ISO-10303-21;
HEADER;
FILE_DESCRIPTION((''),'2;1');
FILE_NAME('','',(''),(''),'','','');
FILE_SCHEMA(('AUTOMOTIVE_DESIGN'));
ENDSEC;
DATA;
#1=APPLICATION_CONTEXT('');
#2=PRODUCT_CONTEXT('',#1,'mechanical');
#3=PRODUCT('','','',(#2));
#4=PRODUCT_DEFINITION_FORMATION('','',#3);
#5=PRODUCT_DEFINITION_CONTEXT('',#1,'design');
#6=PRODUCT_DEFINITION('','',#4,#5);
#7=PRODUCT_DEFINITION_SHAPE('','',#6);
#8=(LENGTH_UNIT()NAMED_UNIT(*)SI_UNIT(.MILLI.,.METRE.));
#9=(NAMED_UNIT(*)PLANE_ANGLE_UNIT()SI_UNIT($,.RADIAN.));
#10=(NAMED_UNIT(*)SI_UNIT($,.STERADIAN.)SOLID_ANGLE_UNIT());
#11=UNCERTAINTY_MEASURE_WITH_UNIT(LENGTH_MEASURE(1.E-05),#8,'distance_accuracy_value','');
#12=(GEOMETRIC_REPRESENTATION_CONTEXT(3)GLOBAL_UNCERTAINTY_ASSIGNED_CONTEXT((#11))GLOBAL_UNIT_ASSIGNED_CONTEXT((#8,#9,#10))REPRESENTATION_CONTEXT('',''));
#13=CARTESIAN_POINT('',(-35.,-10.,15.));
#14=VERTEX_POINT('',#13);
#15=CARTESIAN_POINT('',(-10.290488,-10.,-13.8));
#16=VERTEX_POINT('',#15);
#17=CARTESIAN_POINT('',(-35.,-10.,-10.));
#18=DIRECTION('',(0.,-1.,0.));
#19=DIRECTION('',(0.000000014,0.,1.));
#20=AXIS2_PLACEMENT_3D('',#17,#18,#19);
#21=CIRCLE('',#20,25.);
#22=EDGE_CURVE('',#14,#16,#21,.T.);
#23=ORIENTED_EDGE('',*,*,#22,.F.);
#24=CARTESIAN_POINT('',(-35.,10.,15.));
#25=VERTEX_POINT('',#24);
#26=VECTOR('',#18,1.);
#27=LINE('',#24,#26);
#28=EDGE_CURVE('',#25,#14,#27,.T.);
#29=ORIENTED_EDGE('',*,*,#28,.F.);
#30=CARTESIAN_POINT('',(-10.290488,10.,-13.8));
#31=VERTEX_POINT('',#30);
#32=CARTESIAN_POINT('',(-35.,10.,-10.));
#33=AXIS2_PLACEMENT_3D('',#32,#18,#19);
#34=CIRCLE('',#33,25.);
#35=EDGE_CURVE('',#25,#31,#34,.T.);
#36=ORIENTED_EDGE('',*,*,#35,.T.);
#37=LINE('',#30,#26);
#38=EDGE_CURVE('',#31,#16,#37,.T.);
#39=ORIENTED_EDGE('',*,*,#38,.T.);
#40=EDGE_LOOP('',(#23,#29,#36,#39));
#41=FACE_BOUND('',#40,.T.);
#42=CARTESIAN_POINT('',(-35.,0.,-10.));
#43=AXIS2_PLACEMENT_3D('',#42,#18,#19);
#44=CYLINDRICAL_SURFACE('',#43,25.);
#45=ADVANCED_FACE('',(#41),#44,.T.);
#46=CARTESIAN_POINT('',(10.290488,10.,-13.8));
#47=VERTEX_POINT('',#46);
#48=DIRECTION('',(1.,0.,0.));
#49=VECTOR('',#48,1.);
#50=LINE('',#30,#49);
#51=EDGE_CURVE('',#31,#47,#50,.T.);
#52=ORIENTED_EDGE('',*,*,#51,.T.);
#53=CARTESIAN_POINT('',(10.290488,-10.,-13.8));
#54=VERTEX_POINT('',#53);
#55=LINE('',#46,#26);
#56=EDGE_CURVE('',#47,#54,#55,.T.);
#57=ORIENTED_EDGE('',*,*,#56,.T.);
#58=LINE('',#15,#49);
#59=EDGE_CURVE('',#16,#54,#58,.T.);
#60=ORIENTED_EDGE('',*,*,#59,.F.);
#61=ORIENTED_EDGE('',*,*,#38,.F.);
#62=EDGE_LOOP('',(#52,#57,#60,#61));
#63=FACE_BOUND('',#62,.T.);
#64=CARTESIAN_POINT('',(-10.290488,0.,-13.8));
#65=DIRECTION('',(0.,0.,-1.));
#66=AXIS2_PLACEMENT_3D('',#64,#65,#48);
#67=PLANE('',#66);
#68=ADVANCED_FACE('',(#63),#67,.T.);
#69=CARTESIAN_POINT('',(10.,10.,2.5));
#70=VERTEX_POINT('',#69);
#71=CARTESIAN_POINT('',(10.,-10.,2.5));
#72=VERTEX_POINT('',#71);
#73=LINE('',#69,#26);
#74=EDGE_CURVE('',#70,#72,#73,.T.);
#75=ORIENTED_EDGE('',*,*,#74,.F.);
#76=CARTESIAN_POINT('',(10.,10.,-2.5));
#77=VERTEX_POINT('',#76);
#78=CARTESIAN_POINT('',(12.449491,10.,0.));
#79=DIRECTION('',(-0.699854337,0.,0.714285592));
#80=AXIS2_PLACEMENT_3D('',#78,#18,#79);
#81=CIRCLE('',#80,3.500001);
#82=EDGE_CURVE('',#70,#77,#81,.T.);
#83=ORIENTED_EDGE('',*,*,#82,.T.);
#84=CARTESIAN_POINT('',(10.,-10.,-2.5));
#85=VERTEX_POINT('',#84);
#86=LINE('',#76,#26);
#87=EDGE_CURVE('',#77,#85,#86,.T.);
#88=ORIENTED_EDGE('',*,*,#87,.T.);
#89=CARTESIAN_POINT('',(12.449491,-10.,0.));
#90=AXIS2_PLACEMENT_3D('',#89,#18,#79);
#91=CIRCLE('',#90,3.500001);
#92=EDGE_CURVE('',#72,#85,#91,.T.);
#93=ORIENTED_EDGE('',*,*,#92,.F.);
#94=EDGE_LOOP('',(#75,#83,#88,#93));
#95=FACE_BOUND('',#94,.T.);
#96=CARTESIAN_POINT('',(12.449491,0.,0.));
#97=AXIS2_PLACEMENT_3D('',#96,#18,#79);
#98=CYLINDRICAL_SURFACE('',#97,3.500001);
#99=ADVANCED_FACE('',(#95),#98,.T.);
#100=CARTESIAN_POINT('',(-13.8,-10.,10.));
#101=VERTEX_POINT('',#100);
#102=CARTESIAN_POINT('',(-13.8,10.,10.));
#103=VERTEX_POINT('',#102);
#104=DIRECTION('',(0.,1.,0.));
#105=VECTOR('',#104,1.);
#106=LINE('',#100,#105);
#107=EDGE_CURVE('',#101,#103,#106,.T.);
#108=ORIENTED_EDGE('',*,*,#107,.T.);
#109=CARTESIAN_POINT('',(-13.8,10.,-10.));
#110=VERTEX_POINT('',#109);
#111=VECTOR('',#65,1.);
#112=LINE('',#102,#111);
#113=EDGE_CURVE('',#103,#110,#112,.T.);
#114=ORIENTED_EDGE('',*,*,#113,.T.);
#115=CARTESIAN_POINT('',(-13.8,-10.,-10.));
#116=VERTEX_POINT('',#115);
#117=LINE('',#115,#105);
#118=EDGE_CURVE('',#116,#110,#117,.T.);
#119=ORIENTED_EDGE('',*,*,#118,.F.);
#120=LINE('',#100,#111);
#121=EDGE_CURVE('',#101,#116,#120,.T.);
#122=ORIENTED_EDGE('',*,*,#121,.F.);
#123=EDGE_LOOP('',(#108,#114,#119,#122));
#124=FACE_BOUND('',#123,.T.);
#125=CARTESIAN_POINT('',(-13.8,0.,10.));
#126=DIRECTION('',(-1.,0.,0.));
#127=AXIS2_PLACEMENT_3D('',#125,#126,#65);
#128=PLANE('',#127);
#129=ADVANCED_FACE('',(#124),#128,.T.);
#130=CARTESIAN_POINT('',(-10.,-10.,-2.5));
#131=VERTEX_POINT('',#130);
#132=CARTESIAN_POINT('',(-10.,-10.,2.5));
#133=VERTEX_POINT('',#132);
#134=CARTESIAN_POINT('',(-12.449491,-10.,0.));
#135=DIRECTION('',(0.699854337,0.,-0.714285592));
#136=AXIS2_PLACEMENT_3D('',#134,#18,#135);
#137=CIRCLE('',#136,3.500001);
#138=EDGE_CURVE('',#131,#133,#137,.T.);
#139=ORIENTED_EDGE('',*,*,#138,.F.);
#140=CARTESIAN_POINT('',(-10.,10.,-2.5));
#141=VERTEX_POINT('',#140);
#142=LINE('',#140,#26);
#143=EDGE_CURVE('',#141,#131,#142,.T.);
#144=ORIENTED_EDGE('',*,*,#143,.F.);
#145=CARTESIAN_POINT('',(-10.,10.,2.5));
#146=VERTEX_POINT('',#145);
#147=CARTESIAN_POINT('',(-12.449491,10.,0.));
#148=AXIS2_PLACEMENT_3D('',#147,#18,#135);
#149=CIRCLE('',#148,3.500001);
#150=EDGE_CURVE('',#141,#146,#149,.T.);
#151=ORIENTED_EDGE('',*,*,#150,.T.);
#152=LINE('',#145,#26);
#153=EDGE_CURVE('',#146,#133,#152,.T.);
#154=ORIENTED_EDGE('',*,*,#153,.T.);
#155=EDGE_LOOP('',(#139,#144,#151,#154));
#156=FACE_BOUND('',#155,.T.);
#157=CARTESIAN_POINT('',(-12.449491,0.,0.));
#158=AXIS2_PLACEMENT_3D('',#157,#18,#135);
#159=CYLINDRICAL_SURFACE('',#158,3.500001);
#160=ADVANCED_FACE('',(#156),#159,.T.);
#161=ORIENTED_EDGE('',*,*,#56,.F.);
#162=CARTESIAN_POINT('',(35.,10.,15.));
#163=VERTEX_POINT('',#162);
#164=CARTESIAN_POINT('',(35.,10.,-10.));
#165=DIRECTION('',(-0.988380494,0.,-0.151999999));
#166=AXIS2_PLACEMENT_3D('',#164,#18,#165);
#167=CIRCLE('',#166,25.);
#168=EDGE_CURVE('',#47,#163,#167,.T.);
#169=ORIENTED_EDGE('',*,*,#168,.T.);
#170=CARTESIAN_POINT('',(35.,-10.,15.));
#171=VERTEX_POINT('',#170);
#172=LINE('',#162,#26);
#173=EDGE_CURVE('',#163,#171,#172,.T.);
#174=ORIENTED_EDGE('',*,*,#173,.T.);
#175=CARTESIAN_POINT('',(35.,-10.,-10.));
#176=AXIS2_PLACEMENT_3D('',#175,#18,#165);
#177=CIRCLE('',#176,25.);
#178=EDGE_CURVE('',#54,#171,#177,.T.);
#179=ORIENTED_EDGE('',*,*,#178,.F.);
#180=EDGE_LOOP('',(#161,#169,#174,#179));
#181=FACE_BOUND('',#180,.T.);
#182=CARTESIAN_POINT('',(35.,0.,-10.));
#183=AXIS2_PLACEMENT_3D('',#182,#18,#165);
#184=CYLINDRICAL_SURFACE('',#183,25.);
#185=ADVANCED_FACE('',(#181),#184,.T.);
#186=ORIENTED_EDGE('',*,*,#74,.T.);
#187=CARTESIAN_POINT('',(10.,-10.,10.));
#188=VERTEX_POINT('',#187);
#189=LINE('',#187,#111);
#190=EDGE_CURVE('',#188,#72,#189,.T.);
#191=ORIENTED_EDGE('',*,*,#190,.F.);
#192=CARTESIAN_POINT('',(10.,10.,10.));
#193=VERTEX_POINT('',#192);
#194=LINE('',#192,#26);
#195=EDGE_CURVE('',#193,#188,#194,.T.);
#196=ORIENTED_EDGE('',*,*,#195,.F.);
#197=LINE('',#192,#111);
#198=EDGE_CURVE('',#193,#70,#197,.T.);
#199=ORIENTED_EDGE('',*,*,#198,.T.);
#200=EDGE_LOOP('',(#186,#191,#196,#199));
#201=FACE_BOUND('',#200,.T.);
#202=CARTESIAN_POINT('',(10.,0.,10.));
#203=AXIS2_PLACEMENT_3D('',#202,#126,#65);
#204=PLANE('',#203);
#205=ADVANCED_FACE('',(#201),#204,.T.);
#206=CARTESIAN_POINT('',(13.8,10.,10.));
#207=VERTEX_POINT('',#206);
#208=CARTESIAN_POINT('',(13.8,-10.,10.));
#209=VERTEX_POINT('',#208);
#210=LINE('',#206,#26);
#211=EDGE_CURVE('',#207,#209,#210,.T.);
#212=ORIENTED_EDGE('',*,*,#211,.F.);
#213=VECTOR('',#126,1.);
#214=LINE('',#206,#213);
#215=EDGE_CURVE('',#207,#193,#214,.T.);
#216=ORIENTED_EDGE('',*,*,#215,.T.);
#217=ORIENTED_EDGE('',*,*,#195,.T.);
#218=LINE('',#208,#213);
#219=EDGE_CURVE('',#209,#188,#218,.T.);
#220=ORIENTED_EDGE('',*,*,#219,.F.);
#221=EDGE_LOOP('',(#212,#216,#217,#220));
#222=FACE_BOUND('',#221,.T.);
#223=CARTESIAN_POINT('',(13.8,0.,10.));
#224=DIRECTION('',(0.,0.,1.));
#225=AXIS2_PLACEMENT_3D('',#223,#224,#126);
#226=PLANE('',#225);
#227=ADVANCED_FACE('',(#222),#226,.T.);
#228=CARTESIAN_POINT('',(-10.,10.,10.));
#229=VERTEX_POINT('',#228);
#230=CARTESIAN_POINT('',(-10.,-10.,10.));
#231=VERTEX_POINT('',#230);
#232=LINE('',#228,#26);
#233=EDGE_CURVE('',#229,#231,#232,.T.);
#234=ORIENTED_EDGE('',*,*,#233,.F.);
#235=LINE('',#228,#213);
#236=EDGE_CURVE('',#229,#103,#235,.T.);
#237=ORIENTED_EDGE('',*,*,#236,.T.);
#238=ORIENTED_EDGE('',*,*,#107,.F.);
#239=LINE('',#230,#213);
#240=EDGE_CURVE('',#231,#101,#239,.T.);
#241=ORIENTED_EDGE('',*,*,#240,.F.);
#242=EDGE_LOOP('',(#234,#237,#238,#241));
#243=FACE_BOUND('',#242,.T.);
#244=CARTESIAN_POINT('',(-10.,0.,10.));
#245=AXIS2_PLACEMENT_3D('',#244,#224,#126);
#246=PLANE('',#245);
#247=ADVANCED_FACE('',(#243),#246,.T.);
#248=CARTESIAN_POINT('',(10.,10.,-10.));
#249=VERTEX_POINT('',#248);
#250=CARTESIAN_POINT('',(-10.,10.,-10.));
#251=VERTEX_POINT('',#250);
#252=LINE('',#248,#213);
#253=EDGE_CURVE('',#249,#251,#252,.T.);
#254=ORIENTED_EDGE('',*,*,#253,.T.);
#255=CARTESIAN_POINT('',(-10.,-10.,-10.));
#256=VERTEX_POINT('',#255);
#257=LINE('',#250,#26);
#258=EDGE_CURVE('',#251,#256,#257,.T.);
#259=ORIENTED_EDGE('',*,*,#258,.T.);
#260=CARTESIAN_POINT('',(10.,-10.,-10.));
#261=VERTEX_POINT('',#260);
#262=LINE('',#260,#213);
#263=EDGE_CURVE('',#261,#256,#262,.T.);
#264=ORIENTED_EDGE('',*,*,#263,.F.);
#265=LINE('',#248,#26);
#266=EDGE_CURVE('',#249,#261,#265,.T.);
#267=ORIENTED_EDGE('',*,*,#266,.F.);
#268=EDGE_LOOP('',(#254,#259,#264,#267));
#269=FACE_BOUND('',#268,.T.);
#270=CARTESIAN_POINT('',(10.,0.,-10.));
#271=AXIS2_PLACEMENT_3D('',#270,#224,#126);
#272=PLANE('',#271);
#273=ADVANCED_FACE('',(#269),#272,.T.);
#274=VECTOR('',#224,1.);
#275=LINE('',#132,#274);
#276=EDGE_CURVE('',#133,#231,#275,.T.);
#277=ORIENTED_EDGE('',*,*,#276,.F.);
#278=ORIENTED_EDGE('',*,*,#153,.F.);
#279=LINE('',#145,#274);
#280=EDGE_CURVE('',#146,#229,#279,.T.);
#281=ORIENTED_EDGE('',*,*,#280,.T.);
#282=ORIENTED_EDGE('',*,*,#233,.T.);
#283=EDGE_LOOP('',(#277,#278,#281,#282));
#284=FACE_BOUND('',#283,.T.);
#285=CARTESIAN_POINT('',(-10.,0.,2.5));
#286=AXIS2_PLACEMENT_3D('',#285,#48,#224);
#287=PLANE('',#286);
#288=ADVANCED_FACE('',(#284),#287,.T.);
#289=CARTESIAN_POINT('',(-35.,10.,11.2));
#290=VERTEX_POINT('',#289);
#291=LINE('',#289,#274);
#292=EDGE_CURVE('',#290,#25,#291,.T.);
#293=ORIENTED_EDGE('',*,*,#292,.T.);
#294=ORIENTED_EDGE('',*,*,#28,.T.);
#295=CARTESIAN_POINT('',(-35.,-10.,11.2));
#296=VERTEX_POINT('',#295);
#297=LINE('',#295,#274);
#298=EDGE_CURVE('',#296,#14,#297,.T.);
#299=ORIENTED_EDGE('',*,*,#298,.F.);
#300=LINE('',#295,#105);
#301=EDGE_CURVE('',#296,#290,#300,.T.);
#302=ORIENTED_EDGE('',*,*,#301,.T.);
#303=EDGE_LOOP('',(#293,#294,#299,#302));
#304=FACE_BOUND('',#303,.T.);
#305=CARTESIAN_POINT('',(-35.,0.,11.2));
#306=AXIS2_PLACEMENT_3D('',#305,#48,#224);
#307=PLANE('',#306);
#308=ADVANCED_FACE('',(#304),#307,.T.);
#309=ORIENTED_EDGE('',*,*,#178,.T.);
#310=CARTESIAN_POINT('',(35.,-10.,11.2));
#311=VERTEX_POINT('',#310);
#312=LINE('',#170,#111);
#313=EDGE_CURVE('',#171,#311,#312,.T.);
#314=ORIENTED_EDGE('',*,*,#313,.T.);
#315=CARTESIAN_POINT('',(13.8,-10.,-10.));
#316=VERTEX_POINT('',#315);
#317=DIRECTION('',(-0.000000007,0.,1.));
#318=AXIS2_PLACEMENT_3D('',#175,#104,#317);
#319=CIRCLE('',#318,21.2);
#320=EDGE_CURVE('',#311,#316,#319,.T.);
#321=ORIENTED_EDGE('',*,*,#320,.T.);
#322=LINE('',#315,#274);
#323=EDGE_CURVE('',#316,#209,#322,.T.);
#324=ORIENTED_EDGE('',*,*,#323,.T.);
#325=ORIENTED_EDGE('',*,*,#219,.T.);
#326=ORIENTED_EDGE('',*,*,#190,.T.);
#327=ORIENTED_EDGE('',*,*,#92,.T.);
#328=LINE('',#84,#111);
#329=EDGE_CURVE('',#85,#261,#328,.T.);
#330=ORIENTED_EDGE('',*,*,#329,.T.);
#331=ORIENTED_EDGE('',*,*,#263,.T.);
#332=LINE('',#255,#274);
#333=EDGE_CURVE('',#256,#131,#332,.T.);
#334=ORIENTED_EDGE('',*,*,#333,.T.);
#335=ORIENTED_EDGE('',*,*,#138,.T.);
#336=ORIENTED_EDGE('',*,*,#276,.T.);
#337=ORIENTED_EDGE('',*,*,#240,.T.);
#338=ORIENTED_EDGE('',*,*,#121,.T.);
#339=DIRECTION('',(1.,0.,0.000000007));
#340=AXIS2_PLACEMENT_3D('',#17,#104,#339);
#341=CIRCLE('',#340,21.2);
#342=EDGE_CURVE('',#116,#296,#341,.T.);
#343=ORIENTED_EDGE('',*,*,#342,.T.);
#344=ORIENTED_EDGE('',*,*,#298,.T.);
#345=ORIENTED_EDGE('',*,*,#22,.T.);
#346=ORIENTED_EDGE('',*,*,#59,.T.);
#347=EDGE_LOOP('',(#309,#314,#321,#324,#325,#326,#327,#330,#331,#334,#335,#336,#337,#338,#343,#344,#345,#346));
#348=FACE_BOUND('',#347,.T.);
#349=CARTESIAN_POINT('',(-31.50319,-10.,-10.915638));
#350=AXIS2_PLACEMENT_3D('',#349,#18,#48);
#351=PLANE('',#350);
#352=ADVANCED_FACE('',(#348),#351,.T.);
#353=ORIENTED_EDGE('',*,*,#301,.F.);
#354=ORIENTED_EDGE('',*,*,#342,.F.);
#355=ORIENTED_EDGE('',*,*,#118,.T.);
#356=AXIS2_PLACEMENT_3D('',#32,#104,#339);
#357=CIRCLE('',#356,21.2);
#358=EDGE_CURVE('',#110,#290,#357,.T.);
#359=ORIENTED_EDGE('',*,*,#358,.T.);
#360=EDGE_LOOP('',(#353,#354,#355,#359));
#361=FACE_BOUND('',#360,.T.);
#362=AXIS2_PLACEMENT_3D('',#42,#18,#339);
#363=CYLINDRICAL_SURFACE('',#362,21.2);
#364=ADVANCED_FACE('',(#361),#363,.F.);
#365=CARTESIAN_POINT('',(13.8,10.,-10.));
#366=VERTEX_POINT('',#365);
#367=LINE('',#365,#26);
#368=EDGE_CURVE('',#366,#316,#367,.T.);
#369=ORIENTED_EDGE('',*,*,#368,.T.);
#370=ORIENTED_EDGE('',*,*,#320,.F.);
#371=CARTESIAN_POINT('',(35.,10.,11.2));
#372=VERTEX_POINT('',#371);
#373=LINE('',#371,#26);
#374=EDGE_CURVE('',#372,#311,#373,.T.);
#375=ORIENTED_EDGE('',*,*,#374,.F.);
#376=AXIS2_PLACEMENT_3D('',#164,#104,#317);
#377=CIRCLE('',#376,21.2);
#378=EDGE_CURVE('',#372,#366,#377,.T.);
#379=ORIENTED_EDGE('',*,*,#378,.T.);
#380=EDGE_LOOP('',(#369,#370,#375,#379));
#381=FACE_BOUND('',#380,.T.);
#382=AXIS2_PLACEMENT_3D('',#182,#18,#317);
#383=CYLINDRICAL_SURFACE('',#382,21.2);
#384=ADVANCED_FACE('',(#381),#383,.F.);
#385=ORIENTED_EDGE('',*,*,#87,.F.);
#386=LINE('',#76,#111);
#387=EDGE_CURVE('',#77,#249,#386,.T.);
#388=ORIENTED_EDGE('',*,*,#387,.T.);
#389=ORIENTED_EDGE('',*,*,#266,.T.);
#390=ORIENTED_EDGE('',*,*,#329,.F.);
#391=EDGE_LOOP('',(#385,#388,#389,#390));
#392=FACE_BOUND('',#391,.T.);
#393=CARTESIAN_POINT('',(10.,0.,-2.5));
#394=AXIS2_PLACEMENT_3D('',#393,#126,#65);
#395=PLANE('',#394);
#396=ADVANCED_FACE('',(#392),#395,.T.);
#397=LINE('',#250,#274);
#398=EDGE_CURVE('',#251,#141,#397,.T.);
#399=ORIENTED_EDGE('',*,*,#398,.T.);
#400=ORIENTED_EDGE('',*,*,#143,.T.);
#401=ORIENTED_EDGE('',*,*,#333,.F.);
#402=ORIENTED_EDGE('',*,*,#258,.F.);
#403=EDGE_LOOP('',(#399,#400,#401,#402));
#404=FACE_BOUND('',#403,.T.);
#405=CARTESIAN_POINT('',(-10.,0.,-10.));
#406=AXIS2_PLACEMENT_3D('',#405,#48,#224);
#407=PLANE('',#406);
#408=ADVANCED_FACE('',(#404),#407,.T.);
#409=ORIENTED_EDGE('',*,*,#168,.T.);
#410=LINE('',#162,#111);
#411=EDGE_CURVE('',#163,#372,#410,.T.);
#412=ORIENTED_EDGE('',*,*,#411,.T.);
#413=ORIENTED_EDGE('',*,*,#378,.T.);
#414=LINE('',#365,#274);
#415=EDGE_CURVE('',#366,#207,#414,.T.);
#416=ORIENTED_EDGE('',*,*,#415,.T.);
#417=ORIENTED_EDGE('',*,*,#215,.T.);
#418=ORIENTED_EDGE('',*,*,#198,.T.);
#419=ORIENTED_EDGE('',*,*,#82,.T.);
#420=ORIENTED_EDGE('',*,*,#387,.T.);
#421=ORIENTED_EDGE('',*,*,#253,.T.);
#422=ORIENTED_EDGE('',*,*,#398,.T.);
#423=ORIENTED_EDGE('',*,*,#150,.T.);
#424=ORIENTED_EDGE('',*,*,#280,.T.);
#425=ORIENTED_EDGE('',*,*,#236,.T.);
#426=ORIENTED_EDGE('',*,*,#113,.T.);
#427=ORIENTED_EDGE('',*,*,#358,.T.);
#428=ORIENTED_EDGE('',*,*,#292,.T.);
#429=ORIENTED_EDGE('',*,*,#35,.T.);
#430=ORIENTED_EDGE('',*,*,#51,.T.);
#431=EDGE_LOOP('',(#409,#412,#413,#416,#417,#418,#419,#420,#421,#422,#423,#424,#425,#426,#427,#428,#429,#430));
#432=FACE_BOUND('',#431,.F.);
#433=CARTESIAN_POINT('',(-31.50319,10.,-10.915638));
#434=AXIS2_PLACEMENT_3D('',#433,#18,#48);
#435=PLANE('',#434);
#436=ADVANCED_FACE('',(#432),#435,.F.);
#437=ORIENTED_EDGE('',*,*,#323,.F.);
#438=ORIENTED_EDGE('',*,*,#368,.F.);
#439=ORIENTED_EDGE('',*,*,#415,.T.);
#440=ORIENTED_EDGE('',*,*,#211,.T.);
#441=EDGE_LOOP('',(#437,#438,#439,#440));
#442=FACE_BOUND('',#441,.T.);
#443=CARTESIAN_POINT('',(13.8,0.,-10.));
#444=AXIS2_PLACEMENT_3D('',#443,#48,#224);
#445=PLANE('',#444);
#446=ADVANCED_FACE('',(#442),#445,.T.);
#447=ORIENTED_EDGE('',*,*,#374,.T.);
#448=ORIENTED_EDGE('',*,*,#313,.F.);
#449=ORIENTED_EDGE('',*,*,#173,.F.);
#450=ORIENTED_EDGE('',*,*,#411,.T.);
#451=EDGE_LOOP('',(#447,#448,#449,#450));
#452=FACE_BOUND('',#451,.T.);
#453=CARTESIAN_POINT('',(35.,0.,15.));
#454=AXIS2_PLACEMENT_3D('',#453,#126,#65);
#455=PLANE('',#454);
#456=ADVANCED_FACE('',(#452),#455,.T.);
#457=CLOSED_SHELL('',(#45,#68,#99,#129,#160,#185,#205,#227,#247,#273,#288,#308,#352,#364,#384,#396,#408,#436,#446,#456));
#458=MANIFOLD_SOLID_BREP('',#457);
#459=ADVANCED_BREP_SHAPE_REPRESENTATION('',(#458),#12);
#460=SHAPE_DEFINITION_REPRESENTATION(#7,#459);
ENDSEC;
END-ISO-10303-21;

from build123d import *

# Parameters (mm, degrees)
F1_DEPTH = 10


with BuildPart() as f1:
    # F0 (on Front) → F1 (new body, symmetric)
    with BuildSketch(Plane.XZ):
        with BuildLine():
            Line((-35, 11.2), (-35, 15))
            ThreePointArc((-35, 15), (-53.973666, -26.278821), (-10.290488, -13.8))
            Line((-10.290488, -13.8), (0, -13.8))
            Line((0, -13.8), (0, -10))
            Line((0, -10), (-10, -10))
            Line((-10, -10), (-10, -2.5))
            ThreePointArc((-10, -2.5), (-8.94949, 0), (-10, 2.5))
            Line((-10, 2.5), (-10, 10))
            Line((-10, 10), (-13.8, 10))
            Line((-13.8, 10), (-13.8, -10))
            ThreePointArc((-13.8, -10), (-49.990664, -24.990664), (-35, 11.2))
        make_face()
        with BuildLine():
            Line((0, -10), (0, -13.8))
            Line((0, -13.8), (10.290488, -13.8))
            ThreePointArc((10.290488, -13.8), (53.973666, -26.278821), (35, 15))
            Line((35, 15), (35, 11.2))
            ThreePointArc((35, 11.2), (49.990664, -24.990664), (13.8, -10))
            Line((13.8, -10), (13.8, 10))
            Line((13.8, 10), (10, 10))
            Line((10, 10), (10, 2.5))
            ThreePointArc((10, 2.5), (8.94949, 0), (10, -2.5))
            Line((10, -2.5), (10, -10))
            Line((10, -10), (0, -10))
        make_face()
    extrude(amount=F1_DEPTH, both=True)


solid = f1.part
